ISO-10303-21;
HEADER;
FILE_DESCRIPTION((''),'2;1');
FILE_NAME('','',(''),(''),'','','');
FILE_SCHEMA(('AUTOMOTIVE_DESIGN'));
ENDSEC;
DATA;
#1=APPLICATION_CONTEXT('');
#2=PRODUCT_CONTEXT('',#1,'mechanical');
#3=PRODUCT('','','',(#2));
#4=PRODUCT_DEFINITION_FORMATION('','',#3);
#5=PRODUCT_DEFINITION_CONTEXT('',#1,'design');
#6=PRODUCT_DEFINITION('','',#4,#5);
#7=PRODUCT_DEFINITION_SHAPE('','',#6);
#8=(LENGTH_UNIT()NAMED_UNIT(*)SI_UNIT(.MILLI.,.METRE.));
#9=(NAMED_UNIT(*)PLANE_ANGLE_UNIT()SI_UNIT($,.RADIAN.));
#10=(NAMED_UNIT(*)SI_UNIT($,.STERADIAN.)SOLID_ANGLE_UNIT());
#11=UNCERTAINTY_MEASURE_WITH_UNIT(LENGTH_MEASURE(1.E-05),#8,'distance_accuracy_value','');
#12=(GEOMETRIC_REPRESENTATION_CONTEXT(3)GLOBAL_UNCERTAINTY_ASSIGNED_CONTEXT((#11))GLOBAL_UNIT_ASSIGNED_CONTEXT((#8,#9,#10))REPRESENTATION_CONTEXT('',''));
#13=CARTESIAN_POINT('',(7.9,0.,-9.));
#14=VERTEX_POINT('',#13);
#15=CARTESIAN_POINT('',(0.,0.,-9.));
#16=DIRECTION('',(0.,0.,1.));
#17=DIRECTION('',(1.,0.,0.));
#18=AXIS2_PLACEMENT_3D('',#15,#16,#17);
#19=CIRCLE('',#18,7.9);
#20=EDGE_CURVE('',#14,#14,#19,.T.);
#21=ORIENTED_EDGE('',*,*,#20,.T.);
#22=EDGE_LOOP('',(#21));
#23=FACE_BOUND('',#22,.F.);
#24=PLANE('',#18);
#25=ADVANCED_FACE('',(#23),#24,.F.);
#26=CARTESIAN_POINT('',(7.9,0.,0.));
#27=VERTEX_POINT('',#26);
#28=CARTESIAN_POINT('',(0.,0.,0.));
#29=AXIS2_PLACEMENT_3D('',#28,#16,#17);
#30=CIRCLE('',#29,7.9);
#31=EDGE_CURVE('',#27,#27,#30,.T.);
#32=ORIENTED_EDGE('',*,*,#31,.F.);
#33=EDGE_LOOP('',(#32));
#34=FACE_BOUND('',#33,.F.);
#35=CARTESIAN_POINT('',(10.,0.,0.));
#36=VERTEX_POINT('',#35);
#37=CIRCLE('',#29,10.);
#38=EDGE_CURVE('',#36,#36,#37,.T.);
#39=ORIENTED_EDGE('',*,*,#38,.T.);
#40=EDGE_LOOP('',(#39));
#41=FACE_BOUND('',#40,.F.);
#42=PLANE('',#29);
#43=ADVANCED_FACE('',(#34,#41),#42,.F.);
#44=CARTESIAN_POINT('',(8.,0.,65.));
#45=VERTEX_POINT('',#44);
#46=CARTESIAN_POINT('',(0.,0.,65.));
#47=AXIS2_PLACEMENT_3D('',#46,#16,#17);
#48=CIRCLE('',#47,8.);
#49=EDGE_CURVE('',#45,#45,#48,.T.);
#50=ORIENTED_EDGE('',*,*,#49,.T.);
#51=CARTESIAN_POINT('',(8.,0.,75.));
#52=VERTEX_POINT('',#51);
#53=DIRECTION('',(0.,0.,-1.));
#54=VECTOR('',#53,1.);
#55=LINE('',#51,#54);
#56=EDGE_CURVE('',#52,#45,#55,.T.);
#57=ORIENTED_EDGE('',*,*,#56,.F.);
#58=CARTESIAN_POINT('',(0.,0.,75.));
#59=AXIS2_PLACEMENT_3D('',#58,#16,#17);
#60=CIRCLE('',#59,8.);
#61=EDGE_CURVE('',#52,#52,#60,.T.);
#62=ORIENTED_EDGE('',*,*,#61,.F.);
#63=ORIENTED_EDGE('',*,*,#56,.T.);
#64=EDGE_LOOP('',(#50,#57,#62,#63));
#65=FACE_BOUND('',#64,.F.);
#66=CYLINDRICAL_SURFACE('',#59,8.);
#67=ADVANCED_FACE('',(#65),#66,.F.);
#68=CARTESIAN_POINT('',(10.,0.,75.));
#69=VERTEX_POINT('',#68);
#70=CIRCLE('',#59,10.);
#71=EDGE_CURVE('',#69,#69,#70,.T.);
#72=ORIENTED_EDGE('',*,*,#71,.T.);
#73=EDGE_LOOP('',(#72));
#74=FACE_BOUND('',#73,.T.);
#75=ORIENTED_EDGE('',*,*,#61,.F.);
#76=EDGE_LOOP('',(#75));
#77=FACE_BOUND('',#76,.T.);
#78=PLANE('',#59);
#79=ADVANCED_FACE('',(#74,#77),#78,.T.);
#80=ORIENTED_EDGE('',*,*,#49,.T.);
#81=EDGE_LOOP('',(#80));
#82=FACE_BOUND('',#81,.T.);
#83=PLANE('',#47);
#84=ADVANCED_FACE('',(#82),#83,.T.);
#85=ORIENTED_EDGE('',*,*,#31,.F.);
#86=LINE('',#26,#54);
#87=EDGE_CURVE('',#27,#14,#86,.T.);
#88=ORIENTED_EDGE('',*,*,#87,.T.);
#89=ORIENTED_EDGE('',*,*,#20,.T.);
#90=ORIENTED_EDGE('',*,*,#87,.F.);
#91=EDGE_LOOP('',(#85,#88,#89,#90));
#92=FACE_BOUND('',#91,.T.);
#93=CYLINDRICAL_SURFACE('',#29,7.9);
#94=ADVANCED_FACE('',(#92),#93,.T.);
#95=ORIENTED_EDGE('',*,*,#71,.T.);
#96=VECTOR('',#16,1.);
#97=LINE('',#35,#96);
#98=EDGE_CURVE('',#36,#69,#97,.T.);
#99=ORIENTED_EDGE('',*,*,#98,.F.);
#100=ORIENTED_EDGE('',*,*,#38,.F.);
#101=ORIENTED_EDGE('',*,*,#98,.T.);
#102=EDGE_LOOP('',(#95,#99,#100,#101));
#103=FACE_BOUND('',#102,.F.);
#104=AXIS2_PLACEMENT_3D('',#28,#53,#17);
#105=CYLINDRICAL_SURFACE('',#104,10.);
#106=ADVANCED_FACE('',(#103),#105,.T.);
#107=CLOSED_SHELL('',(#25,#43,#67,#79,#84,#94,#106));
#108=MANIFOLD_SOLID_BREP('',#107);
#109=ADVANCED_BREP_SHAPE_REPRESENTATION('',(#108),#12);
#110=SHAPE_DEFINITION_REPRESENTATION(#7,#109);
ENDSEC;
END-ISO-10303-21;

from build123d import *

# Parameters (mm, degrees)
F0_R     = 10
F0_R_2   = 7.9
F1_DEPTH = 75
F2_DEPTH = 9
F3_R     = 8
F4_DEPTH = 10


with BuildPart() as f1:
    # F0 (on Top) → F1 (new body)
    with BuildSketch(Plane.XY):
        Circle(F0_R)
        Circle(F0_R_2, mode=Mode.SUBTRACT)
        Circle(F0_R_2)
    extrude(amount=F1_DEPTH)

    # F0 (on Top) → F2 (join)
    with BuildSketch(Plane.XY):
        Circle(F0_R_2)
    extrude(amount=-F2_DEPTH)

    # F3 (on face) → F4 (cut)
    with BuildSketch(Plane.XY.offset(75)):
        Circle(F3_R)
    extrude(amount=-F4_DEPTH, mode=Mode.SUBTRACT)


solid = f1.part
